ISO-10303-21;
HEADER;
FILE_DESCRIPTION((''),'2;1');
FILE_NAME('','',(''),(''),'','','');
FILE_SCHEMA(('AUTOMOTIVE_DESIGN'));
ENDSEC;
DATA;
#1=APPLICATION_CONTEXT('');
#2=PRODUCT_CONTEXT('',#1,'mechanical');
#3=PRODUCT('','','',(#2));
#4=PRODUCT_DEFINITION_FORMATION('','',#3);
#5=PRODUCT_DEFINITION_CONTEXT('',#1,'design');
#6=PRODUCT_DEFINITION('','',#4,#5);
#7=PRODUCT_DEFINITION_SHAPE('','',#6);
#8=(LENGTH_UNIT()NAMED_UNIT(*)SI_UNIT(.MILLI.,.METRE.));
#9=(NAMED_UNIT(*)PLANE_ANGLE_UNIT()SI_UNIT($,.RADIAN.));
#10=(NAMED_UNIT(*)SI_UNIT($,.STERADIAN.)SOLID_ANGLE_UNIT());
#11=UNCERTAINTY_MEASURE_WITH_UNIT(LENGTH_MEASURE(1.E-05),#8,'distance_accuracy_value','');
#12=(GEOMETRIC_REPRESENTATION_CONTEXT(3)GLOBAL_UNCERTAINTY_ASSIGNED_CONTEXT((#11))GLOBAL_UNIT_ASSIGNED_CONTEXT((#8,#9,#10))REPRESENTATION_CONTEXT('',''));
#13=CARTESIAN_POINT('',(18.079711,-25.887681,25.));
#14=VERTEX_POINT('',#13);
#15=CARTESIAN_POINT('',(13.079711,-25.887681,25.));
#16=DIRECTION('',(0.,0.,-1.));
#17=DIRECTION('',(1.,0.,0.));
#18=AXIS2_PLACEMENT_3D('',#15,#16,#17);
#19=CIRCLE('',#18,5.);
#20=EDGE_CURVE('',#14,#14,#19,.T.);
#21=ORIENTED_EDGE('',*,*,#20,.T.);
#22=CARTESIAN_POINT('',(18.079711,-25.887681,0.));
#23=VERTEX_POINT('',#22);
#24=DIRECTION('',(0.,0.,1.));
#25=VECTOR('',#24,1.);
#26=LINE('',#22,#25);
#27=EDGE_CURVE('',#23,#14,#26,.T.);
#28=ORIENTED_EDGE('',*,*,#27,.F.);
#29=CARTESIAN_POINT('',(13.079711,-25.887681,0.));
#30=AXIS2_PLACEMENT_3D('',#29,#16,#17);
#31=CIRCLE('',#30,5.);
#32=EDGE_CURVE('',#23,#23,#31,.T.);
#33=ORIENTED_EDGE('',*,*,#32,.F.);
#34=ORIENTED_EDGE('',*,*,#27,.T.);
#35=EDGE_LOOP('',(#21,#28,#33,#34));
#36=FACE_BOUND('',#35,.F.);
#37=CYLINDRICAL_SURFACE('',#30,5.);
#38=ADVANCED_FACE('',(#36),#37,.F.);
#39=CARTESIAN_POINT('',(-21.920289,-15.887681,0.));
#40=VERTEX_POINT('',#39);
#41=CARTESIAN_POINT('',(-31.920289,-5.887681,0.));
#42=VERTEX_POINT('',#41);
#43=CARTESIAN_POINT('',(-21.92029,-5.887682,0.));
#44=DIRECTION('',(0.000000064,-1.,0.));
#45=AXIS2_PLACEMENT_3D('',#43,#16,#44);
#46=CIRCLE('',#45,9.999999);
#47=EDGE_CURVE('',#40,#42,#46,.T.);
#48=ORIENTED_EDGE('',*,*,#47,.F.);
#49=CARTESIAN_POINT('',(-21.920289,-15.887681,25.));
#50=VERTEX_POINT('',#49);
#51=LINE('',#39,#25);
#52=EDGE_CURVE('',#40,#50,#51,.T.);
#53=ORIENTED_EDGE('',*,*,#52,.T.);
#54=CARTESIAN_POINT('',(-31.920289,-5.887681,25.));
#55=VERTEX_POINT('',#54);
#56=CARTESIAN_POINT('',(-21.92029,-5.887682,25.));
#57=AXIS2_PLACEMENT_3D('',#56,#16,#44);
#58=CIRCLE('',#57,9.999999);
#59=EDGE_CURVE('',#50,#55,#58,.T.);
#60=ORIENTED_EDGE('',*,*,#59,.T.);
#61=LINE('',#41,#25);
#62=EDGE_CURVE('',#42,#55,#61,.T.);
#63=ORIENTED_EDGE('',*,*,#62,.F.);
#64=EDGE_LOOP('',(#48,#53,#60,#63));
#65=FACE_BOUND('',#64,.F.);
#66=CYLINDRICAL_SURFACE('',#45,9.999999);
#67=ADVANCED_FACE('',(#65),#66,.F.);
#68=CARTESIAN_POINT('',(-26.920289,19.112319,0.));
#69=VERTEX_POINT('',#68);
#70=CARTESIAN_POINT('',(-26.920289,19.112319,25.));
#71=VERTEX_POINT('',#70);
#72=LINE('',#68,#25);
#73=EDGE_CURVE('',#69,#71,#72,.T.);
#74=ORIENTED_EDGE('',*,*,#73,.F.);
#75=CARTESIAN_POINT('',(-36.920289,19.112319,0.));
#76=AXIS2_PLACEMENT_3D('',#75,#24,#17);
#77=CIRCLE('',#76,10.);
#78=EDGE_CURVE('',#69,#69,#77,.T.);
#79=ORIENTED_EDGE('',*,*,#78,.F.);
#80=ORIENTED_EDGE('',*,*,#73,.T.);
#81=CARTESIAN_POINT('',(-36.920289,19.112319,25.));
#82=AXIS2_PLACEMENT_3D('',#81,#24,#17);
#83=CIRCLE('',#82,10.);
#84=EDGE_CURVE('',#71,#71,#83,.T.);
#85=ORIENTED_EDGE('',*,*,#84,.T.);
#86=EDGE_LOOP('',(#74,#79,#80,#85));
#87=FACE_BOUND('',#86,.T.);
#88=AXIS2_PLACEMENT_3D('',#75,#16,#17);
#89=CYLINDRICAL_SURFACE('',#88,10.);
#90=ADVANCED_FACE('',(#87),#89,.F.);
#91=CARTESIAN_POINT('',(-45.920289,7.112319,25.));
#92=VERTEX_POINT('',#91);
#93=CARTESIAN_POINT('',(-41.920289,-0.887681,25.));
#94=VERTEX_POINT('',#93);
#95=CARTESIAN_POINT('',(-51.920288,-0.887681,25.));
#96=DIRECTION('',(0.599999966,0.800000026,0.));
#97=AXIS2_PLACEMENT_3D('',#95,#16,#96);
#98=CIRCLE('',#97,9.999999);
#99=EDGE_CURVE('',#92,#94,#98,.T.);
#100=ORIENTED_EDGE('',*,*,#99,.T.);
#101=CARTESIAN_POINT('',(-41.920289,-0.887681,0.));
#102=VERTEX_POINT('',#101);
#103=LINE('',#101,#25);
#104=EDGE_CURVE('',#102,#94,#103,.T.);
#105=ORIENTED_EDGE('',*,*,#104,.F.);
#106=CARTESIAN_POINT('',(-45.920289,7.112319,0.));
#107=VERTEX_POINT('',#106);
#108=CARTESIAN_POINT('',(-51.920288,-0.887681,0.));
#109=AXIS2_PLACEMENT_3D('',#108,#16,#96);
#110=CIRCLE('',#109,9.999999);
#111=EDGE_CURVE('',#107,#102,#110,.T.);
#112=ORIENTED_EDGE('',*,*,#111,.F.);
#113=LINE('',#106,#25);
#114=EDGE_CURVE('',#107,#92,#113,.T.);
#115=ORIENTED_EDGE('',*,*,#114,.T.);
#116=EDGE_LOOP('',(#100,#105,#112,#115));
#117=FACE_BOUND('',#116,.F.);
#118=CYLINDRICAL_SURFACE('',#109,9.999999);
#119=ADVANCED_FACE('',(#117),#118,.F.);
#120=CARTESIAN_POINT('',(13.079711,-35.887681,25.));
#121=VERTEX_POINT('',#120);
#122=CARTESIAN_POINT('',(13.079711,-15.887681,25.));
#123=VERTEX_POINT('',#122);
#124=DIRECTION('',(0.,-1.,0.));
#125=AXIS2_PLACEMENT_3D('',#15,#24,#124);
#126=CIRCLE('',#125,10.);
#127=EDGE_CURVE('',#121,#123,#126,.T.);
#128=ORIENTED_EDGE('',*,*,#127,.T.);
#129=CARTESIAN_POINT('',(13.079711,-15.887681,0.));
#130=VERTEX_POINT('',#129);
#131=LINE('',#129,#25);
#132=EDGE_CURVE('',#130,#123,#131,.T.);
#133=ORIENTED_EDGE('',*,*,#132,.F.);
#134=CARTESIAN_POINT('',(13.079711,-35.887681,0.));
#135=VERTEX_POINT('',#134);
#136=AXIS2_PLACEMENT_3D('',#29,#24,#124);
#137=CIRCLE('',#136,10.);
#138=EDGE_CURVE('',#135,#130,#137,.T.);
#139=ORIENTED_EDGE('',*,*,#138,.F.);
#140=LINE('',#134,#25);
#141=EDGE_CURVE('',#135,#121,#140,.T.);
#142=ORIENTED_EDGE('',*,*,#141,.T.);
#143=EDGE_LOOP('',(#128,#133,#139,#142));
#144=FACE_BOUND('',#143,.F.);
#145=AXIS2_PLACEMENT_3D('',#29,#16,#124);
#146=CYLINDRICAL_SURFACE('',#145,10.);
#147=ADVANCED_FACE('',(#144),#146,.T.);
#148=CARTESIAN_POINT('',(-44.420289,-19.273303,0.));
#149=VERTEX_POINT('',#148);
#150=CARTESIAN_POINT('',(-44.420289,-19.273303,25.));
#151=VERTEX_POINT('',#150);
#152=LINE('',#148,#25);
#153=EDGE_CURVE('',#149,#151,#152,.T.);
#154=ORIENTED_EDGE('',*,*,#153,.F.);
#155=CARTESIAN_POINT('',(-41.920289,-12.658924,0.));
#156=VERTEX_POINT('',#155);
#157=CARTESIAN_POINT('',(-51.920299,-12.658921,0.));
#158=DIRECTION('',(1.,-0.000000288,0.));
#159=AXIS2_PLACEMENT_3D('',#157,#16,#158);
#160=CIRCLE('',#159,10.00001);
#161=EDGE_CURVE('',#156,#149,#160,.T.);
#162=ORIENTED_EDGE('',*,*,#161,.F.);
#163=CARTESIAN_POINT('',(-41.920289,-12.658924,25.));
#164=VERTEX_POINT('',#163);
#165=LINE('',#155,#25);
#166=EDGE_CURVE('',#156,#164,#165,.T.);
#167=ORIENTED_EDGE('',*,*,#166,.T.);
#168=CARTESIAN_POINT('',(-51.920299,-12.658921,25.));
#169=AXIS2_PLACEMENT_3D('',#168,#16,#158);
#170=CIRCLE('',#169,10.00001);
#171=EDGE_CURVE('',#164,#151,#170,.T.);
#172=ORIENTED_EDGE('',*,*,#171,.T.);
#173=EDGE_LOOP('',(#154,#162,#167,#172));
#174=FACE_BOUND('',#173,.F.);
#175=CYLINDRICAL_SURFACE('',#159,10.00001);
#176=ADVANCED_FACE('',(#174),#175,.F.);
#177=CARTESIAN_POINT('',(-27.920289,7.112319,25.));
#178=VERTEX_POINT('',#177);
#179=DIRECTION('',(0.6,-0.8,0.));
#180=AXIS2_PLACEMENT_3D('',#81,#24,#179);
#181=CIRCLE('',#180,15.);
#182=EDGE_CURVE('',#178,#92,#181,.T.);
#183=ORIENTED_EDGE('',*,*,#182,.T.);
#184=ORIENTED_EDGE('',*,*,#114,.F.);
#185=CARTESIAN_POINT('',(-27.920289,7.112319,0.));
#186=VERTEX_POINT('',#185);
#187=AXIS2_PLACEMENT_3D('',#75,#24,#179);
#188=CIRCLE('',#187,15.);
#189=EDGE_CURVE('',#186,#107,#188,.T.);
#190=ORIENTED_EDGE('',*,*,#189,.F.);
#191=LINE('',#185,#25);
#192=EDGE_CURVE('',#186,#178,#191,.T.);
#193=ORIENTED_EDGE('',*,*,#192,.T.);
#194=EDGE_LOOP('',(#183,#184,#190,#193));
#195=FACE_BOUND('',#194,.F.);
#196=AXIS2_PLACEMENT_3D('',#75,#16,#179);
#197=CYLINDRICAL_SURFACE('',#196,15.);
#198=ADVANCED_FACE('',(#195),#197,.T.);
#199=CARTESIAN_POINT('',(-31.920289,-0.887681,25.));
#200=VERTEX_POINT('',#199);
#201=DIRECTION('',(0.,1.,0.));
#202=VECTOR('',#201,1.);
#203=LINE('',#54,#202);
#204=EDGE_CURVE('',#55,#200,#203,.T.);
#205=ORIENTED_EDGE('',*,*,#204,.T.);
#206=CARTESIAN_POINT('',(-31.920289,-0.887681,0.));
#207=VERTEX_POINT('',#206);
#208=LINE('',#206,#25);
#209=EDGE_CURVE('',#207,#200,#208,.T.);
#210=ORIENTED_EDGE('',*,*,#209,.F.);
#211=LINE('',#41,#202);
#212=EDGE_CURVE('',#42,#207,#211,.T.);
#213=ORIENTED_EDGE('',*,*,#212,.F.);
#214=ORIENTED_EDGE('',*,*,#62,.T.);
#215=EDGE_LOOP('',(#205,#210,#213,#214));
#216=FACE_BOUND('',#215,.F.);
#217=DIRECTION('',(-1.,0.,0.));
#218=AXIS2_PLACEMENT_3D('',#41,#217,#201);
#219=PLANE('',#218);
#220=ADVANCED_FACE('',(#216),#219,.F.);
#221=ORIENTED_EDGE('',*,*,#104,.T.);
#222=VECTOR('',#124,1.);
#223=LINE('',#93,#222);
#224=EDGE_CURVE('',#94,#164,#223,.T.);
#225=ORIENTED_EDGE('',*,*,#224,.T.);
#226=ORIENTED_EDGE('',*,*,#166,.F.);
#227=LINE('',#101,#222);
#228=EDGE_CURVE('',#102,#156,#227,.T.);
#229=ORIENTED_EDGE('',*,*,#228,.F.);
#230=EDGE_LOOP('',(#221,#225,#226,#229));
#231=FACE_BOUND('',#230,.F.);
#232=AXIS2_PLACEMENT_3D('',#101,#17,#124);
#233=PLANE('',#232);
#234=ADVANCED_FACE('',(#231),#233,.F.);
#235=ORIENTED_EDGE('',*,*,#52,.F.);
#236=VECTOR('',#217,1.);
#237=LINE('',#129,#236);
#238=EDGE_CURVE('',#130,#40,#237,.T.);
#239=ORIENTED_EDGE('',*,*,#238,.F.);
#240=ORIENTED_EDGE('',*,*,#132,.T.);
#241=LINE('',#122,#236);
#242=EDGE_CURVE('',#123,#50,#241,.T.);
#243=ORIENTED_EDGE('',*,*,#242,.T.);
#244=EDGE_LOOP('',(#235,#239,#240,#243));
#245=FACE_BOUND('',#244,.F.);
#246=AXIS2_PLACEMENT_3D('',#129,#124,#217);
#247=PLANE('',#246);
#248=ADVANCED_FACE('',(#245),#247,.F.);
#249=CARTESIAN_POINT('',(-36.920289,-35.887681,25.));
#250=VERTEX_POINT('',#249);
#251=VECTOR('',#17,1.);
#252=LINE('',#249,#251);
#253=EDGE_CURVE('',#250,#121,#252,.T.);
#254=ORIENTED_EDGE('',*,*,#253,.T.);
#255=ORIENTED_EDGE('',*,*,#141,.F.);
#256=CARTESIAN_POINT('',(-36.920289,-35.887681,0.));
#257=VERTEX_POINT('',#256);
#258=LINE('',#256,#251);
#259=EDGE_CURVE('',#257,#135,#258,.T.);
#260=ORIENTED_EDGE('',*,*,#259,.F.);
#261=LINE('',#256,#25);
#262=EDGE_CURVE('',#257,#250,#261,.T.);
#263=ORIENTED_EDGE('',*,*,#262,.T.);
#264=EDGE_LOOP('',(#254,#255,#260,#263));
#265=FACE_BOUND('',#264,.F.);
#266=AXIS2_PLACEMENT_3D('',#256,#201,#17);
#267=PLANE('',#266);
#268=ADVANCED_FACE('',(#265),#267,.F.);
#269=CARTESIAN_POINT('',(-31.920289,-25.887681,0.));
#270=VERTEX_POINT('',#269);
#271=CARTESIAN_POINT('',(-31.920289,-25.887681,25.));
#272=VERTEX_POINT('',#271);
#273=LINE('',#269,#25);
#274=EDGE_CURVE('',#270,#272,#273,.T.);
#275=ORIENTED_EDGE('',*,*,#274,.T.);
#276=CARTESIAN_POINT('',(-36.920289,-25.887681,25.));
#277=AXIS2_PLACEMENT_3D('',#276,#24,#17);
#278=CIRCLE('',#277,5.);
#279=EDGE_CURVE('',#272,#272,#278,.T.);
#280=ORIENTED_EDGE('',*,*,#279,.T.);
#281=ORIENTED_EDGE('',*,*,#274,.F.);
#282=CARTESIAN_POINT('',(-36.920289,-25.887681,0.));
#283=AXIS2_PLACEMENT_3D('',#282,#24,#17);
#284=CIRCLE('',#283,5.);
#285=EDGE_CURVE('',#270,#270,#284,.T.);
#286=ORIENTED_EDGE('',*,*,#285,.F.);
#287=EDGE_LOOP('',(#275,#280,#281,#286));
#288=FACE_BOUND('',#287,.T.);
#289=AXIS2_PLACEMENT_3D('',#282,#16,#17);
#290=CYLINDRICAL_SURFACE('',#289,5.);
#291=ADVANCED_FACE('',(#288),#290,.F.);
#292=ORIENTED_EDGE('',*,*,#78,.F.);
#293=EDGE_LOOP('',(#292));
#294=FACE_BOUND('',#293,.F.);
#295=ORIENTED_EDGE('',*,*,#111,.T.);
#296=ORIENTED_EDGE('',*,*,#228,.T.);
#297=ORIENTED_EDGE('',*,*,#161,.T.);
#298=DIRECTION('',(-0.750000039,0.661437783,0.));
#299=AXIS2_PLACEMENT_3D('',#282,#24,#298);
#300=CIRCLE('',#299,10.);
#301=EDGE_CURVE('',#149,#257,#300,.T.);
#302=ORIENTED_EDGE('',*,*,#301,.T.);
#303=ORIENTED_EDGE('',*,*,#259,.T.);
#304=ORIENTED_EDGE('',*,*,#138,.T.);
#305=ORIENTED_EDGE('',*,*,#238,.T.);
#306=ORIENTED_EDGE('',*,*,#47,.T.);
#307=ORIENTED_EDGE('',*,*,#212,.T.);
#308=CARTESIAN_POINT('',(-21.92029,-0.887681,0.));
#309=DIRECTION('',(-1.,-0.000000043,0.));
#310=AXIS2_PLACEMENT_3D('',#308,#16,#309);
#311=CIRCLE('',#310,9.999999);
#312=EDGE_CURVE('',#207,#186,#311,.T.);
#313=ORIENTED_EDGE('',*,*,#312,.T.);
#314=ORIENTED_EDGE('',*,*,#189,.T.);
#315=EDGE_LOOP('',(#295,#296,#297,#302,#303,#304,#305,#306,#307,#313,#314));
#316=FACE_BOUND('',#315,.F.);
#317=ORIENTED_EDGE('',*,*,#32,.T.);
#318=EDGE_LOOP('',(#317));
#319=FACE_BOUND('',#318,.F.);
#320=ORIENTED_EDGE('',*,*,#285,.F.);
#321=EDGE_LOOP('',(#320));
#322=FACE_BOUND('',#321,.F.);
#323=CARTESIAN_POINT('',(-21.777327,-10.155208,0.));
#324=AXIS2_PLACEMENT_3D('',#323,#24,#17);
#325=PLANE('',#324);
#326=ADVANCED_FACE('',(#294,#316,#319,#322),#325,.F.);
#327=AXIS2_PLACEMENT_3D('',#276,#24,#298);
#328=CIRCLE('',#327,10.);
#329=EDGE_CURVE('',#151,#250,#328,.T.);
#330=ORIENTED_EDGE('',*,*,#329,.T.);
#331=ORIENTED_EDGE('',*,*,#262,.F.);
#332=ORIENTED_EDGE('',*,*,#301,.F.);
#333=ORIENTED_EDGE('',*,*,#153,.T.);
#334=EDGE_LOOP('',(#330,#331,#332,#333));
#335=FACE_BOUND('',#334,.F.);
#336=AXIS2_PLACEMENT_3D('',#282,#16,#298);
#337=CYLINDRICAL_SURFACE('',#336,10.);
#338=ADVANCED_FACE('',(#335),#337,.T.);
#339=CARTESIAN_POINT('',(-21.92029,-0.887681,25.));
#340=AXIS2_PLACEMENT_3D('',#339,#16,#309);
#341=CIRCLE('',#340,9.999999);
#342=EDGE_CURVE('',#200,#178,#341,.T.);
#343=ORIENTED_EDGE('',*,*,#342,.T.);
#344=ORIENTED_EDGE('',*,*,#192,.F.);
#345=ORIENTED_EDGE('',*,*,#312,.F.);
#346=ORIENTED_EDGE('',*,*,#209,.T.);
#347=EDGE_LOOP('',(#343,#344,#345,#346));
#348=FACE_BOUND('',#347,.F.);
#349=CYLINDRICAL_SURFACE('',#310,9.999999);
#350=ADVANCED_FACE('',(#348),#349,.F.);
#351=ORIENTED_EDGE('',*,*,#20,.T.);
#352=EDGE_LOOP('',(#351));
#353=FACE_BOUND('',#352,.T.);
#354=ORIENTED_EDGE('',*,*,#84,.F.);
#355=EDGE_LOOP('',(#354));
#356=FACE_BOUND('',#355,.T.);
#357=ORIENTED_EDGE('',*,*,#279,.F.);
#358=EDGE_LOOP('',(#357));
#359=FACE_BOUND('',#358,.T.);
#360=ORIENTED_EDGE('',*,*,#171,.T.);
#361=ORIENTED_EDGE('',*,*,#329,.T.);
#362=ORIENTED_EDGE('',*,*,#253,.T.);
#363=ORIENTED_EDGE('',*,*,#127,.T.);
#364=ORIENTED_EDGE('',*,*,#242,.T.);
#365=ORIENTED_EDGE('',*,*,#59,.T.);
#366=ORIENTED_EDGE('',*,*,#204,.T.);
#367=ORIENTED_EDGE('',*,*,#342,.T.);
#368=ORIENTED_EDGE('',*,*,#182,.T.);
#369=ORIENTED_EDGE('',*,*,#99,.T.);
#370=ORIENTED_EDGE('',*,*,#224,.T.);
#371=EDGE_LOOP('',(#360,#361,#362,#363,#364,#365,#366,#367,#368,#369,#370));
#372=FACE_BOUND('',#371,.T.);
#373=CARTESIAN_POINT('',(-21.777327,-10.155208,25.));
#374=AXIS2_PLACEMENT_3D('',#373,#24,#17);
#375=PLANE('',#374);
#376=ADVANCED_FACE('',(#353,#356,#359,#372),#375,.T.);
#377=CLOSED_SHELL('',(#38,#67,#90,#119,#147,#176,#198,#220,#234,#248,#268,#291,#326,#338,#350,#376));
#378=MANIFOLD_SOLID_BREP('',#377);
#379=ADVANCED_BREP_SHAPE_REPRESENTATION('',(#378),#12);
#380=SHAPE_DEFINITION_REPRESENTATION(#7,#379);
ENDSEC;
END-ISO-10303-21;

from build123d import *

# Parameters (mm, degrees)
F0_R     = 5
F0_R_2   = 10
F1_DEPTH = 25


with BuildPart() as f1:
    # F0 (on Top) → F1 (new body)
    with BuildSketch(Plane.XY):
        with BuildLine():
            ThreePointArc((-44.420289, -19.273303), (-46.034667, -30.002059), (-36.920289, -35.887681))
            Line((-36.920289, -35.887681), (13.079711, -35.887681))
            ThreePointArc((13.079711, -35.887681), (23.079711, -25.887681), (13.079711, -15.887681))
            Line((13.079711, -15.887681), (-21.920289, -15.887681))
            ThreePointArc((-21.920289, -15.887681), (-28.991357, -12.958749), (-31.920289, -5.887681))
            Line((-31.920289, -5.887681), (-31.920289, -0.887681))
            ThreePointArc((-31.920289, -0.887681), (-30.864561, 3.584455), (-27.920289, 7.112319))
            ThreePointArc((-27.920289, 7.112319), (-36.920289, 34.112319), (-45.920289, 7.112319))
            ThreePointArc((-45.920289, 7.112319), (-42.976017, 3.584455), (-41.920289, -0.887681))
            Line((-41.920289, -0.887681), (-41.920289, -12.658924))
            ThreePointArc((-41.920289, -12.658924), (-42.566146, -16.194458), (-44.420289, -19.273303))
        make_face()
        with Locations((-36.920289, -25.887681)):
            Circle(F0_R, mode=Mode.SUBTRACT)
        with BuildLine():
            ThreePointArc((8.079711, -25.887681), (13.079711, -20.887681), (18.079711, -25.887681))
            ThreePointArc((18.079711, -25.887681), (13.079711, -30.887681), (8.079711, -25.887681))
        make_face(mode=Mode.SUBTRACT)
        with Locations((-36.920289, 19.112319)):
            Circle(F0_R_2, mode=Mode.SUBTRACT)
    extrude(amount=F1_DEPTH)


solid = f1.part
